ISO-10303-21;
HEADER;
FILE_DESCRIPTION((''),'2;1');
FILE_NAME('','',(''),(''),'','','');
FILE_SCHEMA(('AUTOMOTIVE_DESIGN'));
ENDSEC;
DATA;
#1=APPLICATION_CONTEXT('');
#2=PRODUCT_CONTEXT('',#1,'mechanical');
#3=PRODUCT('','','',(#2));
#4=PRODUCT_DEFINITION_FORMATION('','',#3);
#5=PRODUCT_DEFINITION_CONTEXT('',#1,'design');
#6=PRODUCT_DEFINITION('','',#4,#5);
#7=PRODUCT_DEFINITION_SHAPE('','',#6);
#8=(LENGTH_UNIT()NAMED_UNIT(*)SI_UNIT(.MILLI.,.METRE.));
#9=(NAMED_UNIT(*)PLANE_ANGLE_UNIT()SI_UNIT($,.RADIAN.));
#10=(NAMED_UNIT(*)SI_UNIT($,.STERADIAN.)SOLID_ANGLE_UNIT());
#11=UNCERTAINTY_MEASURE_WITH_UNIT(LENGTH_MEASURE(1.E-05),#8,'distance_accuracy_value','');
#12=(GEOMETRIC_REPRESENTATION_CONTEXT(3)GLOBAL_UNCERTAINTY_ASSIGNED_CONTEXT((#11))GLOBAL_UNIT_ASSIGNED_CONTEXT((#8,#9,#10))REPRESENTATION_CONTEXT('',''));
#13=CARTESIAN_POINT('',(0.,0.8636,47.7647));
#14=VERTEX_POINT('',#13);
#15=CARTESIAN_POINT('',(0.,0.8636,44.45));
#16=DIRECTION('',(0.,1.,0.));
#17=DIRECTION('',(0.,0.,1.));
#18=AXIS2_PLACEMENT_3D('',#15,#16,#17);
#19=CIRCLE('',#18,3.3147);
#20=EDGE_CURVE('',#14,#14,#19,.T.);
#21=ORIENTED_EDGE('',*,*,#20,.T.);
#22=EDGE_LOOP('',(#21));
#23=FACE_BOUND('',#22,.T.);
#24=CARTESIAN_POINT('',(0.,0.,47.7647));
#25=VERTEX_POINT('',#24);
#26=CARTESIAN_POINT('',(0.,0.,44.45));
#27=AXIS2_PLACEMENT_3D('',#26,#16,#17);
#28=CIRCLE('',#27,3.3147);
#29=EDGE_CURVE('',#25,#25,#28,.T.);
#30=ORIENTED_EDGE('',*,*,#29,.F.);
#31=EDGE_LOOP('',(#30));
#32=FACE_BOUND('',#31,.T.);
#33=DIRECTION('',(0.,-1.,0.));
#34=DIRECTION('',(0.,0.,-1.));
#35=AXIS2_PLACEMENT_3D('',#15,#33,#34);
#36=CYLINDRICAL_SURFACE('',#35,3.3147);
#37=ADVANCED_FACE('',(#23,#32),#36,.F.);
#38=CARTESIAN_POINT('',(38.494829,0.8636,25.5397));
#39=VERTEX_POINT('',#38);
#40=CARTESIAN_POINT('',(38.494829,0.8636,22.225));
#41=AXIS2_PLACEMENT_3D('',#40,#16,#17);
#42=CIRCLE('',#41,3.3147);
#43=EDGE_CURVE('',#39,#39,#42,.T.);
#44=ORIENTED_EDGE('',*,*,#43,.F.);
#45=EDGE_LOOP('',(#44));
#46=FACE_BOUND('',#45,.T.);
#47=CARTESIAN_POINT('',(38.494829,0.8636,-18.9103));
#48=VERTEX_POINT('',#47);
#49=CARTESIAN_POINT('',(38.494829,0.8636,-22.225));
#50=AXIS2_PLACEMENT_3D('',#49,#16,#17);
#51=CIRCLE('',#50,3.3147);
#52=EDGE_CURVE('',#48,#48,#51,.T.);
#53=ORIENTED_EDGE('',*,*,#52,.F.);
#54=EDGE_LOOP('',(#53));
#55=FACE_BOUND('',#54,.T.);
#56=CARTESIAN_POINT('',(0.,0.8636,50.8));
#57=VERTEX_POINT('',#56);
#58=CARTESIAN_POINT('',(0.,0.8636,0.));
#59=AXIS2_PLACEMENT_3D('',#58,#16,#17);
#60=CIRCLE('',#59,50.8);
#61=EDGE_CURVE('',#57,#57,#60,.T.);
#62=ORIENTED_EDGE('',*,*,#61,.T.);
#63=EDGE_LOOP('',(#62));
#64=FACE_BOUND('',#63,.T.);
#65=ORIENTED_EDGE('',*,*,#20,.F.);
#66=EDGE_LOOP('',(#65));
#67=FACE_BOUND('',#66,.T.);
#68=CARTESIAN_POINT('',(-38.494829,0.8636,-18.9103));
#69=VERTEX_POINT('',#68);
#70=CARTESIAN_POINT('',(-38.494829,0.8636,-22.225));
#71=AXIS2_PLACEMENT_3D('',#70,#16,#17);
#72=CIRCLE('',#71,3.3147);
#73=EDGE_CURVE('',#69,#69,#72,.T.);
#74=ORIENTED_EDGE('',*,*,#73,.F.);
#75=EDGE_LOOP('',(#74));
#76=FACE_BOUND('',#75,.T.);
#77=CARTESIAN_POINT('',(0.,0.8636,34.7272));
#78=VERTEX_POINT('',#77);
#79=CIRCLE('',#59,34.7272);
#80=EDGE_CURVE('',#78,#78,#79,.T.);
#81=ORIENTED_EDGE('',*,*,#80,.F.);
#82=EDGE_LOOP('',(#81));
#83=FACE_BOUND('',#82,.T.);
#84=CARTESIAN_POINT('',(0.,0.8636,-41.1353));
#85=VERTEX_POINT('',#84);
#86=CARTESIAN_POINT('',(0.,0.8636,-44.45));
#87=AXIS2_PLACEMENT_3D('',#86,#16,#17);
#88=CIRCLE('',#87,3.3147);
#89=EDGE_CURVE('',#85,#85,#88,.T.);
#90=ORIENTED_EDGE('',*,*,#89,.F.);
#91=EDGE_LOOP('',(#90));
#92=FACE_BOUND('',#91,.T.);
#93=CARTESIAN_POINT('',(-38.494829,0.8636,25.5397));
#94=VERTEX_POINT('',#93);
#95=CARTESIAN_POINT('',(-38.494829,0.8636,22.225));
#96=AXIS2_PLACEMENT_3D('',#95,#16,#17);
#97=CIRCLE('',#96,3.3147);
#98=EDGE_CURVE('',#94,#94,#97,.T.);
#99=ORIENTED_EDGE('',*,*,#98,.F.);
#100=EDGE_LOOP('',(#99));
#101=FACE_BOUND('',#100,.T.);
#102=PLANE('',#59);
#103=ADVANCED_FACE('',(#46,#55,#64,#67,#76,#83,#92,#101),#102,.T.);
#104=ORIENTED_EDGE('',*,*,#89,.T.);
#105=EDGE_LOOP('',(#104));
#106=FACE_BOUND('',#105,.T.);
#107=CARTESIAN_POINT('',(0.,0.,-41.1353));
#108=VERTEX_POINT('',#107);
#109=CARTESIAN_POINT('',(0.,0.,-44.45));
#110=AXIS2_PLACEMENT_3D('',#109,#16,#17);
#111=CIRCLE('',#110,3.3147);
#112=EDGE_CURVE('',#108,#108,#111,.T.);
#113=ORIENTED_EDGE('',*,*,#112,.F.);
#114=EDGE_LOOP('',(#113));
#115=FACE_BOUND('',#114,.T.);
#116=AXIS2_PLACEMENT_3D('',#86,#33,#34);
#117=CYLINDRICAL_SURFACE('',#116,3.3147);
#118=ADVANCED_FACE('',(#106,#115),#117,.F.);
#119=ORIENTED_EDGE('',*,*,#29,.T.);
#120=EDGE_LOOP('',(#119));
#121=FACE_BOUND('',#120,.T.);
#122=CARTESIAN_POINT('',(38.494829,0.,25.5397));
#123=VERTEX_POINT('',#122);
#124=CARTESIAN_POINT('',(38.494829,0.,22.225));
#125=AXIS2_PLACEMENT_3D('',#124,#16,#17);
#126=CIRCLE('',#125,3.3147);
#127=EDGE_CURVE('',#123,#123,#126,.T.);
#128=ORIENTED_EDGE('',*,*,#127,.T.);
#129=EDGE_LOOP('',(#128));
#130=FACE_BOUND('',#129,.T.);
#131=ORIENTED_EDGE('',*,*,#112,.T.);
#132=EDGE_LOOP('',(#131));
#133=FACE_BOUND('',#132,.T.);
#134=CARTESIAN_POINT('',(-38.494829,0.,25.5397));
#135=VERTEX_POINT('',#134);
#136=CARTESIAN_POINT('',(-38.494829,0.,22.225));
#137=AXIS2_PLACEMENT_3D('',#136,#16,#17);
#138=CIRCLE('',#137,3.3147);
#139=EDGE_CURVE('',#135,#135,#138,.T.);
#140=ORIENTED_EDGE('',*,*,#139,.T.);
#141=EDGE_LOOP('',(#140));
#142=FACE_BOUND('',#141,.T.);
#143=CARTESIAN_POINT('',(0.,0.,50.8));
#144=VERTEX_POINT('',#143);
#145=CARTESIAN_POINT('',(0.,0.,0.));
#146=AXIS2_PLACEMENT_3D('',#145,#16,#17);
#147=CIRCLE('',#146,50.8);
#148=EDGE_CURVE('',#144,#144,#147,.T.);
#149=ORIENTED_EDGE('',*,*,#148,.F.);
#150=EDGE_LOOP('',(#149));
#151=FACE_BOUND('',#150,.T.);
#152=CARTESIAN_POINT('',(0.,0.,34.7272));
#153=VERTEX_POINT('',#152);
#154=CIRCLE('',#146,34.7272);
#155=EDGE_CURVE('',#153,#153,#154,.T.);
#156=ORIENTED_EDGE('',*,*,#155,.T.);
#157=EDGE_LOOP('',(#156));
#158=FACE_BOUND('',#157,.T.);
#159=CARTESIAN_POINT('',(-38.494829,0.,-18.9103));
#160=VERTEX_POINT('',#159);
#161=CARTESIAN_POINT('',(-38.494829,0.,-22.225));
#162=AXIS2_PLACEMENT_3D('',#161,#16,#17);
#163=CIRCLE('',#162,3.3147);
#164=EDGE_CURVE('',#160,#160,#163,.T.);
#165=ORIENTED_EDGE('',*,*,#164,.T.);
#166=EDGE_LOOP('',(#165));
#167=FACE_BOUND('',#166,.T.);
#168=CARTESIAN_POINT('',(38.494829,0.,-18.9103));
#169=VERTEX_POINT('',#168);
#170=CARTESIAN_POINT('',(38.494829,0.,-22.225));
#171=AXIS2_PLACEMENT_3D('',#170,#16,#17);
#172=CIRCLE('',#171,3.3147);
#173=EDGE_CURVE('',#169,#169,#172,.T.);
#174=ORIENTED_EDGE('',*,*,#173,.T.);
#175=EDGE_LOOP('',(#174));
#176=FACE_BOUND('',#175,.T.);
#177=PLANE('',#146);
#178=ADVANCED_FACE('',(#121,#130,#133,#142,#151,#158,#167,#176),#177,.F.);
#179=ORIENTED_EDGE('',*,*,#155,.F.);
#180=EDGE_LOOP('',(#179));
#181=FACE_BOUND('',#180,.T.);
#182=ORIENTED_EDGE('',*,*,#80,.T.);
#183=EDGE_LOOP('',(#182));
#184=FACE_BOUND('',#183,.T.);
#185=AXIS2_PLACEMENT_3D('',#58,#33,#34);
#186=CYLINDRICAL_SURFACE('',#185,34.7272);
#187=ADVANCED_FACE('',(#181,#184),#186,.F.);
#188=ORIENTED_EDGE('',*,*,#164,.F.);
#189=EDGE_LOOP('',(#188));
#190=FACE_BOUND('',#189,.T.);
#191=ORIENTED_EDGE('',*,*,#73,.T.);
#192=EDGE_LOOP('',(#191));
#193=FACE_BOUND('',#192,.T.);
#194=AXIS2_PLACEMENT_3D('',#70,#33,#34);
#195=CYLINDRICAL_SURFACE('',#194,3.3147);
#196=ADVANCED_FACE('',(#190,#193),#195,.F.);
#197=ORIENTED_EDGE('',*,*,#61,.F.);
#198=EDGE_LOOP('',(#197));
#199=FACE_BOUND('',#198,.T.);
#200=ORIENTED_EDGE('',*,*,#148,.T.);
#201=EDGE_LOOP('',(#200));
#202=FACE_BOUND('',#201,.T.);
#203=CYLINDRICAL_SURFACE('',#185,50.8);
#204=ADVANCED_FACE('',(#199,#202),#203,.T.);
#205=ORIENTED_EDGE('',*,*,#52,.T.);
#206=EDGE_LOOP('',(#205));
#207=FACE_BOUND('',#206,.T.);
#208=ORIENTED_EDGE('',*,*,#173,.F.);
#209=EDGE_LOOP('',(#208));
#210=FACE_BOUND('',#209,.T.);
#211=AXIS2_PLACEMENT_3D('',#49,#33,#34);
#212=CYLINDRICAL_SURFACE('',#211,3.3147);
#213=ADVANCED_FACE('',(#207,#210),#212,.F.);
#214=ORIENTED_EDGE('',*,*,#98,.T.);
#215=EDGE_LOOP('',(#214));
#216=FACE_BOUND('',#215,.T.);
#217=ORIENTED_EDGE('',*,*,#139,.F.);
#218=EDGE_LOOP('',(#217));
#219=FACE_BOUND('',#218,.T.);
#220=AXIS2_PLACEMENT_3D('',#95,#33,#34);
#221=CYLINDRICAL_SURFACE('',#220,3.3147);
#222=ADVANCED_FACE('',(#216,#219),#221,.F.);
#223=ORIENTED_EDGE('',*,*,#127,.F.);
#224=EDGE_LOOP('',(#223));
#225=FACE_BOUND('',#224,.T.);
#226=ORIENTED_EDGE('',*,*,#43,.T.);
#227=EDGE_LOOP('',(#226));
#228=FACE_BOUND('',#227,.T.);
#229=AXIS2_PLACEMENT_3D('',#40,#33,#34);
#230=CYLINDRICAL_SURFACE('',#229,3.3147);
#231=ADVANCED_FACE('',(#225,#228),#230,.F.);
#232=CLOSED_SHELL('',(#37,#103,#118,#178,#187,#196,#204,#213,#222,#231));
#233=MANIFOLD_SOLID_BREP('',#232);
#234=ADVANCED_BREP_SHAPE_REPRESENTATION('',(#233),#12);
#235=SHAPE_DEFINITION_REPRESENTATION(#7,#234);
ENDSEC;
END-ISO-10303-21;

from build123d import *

# Parameters (mm, degrees)
SKETCH1_R           = 50.8
SKETCH1_R_2         = 3.3147
SKETCH1_R_3         = 34.7272
BOSS_EXTRUDE1_DEPTH = 0.8636


with BuildPart() as part:
    # Sketch1 → Boss-Extrude1 (new body)
    with BuildSketch(Plane(origin=(0, 0, 0), x_dir=(1, 0, 0), z_dir=(0, 1, 0))):
        with Locations(Location((0, 0, 0), (0, 0, 270))):
            Circle(SKETCH1_R)
        with Locations(Location((-38.494829198, 22.225, 0), (0, 0, 270))):
            Circle(SKETCH1_R_2, mode=Mode.SUBTRACT)
        with Locations(Location((-38.494829198, -22.225, 0), (0, 0, 270))):
            Circle(SKETCH1_R_2, mode=Mode.SUBTRACT)
        with Locations(Location((0, -44.45, 0), (0, 0, 270))):
            Circle(SKETCH1_R_2, mode=Mode.SUBTRACT)
        with Locations(Location((38.494829198, -22.225, 0), (0, 0, 270))):
            Circle(SKETCH1_R_2, mode=Mode.SUBTRACT)
        with Locations(Location((38.494829198, 22.225, 0), (0, 0, 270))):
            Circle(SKETCH1_R_2, mode=Mode.SUBTRACT)
        with Locations(Location((0, 44.45, 0), (0, 0, 270))):
            Circle(SKETCH1_R_2, mode=Mode.SUBTRACT)
        with Locations(Location((0, 0, 0), (0, 0, 270))):
            Circle(SKETCH1_R_3, mode=Mode.SUBTRACT)
    extrude(amount=BOSS_EXTRUDE1_DEPTH)


solid = part.part
